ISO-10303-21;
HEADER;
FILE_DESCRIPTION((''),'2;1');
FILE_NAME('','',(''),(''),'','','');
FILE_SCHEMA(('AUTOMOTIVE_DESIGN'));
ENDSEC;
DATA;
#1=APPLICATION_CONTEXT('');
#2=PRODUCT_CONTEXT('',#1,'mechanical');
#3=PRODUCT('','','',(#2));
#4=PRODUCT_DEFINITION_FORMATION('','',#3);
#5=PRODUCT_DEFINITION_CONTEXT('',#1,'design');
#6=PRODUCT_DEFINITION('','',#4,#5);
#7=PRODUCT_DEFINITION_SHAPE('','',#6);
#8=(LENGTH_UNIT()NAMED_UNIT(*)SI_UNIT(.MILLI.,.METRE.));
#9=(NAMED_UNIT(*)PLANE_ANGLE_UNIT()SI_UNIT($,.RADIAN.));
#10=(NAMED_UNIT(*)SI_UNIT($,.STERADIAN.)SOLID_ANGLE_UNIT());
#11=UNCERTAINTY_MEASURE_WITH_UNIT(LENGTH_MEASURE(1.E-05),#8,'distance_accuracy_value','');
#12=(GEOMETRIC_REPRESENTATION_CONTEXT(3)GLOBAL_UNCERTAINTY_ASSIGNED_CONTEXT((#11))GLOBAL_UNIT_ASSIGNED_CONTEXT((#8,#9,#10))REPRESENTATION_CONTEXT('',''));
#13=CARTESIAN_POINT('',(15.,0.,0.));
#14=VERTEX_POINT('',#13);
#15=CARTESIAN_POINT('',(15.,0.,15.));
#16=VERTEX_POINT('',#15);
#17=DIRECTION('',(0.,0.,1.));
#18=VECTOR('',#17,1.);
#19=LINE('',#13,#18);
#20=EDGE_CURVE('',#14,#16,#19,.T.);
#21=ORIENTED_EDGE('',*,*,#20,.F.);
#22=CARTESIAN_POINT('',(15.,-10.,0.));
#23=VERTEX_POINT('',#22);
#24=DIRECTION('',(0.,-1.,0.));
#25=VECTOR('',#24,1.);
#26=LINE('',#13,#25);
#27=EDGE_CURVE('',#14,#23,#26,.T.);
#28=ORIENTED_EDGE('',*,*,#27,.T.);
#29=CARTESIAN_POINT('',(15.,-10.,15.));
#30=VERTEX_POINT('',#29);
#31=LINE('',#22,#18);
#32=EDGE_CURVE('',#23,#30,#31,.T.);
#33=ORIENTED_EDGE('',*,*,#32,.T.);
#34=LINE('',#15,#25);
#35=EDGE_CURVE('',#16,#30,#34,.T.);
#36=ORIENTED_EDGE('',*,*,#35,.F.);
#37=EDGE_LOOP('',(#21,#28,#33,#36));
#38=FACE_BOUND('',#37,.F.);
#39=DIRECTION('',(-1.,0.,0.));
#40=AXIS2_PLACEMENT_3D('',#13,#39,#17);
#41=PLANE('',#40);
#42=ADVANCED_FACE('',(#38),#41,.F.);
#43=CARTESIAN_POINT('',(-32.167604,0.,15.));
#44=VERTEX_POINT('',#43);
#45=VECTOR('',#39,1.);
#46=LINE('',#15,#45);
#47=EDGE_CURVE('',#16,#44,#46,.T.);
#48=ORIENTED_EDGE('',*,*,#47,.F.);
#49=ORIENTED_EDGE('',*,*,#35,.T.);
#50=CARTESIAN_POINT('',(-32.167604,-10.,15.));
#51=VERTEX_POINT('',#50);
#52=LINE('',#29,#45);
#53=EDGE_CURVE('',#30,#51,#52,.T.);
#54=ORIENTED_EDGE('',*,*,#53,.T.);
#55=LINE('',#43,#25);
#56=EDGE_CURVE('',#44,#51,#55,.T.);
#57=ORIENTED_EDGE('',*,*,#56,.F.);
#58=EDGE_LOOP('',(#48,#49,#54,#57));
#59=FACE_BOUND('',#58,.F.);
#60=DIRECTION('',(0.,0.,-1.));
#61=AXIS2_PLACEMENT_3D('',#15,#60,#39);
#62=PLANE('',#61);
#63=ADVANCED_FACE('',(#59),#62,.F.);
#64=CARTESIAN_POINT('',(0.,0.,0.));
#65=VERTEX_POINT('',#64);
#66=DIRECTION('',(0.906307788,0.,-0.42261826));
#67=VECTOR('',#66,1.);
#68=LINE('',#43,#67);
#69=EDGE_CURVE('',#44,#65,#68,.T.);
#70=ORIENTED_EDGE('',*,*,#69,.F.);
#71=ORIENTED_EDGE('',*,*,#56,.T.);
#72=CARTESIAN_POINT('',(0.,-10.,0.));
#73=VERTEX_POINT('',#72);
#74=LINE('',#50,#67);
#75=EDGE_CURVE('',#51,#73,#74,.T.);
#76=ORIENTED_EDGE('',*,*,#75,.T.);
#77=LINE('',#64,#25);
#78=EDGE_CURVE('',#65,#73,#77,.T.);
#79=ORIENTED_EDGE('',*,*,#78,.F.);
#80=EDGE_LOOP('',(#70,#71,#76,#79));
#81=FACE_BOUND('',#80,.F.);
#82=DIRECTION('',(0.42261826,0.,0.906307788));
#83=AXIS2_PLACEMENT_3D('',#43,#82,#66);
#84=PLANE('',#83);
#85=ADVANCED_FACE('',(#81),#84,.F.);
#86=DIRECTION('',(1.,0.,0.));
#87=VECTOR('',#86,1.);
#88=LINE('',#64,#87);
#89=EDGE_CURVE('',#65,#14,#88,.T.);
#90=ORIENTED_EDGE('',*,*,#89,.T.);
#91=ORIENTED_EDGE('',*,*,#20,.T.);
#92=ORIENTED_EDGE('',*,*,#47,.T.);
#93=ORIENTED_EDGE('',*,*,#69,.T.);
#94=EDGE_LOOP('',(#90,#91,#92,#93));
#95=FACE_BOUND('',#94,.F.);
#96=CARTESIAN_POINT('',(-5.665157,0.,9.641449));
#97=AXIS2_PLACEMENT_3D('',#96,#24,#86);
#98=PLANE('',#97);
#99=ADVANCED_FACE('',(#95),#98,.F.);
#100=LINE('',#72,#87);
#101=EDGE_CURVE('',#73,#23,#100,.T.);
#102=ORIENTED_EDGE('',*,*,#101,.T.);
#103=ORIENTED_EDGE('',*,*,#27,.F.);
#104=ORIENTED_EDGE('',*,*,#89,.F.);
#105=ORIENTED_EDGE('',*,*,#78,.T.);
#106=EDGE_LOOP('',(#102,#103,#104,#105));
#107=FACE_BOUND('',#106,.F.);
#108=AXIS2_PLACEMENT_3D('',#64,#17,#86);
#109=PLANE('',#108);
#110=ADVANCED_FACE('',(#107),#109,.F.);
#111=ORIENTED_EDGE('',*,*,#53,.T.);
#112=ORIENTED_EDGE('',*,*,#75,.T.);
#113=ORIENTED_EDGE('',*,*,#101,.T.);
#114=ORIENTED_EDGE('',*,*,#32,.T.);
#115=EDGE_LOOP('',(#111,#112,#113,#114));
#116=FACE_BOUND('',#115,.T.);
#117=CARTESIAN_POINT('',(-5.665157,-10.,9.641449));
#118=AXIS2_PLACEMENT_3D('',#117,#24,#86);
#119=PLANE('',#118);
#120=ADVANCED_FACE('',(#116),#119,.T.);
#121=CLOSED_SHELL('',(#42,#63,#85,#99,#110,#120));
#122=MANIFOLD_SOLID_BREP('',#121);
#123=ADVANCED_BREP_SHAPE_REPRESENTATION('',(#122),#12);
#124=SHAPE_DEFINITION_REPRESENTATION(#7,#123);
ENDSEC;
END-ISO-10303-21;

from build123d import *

# Parameters (mm, degrees)
PAD_DEPTH = 10


with BuildPart() as part:
    # Sketch → Pad (new body)
    with BuildSketch(Plane.XZ):
        Polygon((0, 0), (15, 0), (15, 15), (-32.167604, 15), align=None)
    extrude(amount=PAD_DEPTH)


solid = part.part
